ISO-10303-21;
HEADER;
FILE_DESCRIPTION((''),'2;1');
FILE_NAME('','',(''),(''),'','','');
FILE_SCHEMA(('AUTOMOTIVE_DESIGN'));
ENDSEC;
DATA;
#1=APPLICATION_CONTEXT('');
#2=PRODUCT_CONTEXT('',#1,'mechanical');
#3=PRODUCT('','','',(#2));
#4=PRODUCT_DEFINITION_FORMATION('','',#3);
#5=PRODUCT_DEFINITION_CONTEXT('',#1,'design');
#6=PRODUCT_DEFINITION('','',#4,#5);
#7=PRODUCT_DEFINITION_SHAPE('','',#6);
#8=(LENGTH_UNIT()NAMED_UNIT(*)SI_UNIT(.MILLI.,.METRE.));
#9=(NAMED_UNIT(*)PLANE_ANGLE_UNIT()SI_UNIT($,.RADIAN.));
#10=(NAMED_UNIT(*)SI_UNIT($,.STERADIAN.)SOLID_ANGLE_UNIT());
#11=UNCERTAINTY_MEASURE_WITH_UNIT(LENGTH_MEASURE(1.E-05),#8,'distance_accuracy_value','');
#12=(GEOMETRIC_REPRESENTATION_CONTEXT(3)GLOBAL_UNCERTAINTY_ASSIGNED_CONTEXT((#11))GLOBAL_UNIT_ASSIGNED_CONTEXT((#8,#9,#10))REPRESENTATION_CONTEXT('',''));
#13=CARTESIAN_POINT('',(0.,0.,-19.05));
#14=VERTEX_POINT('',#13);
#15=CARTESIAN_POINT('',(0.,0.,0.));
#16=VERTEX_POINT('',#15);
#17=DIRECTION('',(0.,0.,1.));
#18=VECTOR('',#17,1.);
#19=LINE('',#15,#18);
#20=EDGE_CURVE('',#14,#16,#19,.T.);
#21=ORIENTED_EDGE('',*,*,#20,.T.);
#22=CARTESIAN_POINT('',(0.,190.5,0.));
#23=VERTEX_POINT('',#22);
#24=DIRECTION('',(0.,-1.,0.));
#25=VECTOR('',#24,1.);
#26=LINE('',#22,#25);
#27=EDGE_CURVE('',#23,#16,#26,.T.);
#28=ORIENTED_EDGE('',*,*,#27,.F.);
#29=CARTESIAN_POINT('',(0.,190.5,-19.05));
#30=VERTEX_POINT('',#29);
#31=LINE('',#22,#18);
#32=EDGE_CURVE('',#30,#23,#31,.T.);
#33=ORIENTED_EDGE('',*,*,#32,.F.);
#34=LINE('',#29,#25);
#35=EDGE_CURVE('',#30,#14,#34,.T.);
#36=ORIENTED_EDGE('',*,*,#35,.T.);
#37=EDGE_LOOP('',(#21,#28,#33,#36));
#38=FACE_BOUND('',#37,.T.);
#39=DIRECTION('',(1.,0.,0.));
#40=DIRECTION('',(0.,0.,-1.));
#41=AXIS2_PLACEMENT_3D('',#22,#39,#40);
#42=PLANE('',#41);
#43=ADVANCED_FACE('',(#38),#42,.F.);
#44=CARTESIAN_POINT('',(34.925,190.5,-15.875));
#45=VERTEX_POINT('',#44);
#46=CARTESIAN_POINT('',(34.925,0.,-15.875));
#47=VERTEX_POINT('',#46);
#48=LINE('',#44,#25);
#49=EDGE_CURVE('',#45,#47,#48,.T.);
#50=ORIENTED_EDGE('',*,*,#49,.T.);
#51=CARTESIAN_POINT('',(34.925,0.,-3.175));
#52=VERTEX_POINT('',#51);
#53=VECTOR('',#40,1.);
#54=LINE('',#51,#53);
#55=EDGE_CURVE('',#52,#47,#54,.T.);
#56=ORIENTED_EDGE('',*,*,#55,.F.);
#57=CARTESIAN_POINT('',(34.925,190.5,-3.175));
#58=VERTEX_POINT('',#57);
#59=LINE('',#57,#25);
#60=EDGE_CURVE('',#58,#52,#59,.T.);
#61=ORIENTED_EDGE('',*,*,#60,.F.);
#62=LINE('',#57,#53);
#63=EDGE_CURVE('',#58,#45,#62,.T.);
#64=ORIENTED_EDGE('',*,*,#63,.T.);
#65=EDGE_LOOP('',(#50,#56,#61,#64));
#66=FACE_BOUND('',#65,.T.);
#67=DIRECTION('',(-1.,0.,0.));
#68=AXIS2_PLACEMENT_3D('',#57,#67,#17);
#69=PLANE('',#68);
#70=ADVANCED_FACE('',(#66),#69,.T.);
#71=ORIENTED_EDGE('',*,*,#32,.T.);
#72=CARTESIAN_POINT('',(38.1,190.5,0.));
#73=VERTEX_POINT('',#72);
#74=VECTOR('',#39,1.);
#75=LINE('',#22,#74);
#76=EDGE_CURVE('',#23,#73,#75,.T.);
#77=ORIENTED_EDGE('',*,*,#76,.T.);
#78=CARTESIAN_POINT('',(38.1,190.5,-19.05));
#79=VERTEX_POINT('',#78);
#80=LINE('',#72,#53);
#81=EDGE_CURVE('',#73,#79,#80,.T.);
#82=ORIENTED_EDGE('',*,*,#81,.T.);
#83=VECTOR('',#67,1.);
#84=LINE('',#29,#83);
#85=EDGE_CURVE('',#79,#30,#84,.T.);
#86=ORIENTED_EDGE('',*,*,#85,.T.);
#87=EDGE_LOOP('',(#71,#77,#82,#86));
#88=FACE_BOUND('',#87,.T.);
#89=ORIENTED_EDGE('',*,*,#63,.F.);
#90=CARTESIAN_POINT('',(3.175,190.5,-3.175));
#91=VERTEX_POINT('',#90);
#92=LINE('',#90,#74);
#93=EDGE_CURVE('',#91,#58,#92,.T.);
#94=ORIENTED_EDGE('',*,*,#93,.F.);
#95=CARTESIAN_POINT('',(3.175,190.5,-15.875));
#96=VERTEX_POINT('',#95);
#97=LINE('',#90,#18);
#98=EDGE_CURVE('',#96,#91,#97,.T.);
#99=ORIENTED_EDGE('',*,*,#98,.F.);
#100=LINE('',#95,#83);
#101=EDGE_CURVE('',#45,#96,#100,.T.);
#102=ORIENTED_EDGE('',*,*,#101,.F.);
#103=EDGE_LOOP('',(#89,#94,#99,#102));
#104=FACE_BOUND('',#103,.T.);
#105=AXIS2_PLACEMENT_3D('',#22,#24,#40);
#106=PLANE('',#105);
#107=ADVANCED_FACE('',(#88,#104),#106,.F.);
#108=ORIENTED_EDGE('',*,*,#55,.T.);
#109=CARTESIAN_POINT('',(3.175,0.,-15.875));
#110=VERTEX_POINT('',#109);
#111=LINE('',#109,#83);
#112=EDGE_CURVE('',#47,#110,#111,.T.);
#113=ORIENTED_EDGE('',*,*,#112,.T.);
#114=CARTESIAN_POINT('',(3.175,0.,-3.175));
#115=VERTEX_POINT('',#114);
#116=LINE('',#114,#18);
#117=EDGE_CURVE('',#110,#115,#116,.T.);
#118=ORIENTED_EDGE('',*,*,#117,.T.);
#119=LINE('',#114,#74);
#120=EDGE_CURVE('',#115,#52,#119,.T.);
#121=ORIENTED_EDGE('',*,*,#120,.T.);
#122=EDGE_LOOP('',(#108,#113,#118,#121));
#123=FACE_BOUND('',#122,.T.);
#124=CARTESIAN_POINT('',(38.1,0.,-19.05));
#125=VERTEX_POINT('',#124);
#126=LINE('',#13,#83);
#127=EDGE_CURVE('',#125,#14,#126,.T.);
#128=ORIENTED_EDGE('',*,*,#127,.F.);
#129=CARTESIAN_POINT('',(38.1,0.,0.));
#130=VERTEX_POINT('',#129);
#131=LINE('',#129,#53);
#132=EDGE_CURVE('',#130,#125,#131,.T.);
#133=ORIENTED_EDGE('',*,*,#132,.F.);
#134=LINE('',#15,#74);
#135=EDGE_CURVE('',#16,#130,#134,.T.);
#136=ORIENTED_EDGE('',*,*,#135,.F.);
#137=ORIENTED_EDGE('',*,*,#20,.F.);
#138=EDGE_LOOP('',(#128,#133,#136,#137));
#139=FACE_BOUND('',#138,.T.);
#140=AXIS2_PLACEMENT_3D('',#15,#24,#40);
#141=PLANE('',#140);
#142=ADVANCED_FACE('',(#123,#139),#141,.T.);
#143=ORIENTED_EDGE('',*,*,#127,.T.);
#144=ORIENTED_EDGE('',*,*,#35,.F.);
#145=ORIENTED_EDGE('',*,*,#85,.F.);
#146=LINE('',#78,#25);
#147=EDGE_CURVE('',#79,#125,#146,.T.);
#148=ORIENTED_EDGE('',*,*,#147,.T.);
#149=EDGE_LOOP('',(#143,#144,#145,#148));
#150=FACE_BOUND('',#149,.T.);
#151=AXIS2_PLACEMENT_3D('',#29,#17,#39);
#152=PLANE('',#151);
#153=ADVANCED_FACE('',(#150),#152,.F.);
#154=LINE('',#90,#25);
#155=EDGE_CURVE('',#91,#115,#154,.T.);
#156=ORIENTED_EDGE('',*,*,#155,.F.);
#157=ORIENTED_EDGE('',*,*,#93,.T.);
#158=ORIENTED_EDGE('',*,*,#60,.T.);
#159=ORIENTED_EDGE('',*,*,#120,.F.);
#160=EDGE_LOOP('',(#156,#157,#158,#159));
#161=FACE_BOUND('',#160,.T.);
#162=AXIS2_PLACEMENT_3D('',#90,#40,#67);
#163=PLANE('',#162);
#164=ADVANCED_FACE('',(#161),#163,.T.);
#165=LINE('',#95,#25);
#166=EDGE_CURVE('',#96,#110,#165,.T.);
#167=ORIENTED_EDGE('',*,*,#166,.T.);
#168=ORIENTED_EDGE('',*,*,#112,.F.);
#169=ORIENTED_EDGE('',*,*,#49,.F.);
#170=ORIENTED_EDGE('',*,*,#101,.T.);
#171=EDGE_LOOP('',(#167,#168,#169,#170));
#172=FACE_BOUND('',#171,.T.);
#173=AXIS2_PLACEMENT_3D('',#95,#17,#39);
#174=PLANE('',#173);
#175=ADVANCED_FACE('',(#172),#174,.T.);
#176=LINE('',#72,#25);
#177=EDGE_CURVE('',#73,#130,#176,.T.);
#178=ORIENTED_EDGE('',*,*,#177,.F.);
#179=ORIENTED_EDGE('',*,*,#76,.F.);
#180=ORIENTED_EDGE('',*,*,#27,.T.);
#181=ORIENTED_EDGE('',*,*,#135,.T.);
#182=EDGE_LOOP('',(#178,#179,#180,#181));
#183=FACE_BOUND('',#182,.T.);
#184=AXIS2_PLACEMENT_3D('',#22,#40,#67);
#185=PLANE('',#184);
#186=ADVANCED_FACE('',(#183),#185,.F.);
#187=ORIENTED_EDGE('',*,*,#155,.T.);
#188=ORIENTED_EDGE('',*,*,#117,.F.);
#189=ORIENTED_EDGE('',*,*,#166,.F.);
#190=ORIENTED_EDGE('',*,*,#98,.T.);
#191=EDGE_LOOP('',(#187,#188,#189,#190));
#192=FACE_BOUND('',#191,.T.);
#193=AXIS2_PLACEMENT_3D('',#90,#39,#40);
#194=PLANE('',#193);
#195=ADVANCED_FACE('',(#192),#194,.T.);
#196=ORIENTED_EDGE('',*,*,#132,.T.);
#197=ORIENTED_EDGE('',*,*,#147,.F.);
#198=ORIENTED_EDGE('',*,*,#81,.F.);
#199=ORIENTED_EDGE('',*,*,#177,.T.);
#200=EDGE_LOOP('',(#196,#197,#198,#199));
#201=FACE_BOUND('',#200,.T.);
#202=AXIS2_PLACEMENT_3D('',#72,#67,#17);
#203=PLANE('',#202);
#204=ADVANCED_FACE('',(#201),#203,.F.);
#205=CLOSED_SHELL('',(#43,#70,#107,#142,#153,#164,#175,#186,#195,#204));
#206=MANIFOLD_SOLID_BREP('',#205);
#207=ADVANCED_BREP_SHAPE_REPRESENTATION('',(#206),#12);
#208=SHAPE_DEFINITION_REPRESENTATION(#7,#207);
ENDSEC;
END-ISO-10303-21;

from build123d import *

# Parameters (mm, degrees)
SKETCH1_W           = 38.1
SKETCH1_H           = 19.05
SKETCH1_W_2         = 31.75
SKETCH1_H_2         = 12.7
BOSS_EXTRUDE1_DEPTH = 190.5


with BuildPart() as part:
    # Sketch1 → Boss-Extrude1 (new body)
    with BuildSketch(Plane(origin=(0, 0, 0), x_dir=(1, 0, 0), z_dir=(0, 1, 0))):
        with Locations((19.05, 9.525)):
            Rectangle(SKETCH1_W, SKETCH1_H)
        with Locations((19.05, 9.525)):
            Rectangle(SKETCH1_W_2, SKETCH1_H_2, mode=Mode.SUBTRACT)
    extrude(amount=BOSS_EXTRUDE1_DEPTH)


solid = part.part
